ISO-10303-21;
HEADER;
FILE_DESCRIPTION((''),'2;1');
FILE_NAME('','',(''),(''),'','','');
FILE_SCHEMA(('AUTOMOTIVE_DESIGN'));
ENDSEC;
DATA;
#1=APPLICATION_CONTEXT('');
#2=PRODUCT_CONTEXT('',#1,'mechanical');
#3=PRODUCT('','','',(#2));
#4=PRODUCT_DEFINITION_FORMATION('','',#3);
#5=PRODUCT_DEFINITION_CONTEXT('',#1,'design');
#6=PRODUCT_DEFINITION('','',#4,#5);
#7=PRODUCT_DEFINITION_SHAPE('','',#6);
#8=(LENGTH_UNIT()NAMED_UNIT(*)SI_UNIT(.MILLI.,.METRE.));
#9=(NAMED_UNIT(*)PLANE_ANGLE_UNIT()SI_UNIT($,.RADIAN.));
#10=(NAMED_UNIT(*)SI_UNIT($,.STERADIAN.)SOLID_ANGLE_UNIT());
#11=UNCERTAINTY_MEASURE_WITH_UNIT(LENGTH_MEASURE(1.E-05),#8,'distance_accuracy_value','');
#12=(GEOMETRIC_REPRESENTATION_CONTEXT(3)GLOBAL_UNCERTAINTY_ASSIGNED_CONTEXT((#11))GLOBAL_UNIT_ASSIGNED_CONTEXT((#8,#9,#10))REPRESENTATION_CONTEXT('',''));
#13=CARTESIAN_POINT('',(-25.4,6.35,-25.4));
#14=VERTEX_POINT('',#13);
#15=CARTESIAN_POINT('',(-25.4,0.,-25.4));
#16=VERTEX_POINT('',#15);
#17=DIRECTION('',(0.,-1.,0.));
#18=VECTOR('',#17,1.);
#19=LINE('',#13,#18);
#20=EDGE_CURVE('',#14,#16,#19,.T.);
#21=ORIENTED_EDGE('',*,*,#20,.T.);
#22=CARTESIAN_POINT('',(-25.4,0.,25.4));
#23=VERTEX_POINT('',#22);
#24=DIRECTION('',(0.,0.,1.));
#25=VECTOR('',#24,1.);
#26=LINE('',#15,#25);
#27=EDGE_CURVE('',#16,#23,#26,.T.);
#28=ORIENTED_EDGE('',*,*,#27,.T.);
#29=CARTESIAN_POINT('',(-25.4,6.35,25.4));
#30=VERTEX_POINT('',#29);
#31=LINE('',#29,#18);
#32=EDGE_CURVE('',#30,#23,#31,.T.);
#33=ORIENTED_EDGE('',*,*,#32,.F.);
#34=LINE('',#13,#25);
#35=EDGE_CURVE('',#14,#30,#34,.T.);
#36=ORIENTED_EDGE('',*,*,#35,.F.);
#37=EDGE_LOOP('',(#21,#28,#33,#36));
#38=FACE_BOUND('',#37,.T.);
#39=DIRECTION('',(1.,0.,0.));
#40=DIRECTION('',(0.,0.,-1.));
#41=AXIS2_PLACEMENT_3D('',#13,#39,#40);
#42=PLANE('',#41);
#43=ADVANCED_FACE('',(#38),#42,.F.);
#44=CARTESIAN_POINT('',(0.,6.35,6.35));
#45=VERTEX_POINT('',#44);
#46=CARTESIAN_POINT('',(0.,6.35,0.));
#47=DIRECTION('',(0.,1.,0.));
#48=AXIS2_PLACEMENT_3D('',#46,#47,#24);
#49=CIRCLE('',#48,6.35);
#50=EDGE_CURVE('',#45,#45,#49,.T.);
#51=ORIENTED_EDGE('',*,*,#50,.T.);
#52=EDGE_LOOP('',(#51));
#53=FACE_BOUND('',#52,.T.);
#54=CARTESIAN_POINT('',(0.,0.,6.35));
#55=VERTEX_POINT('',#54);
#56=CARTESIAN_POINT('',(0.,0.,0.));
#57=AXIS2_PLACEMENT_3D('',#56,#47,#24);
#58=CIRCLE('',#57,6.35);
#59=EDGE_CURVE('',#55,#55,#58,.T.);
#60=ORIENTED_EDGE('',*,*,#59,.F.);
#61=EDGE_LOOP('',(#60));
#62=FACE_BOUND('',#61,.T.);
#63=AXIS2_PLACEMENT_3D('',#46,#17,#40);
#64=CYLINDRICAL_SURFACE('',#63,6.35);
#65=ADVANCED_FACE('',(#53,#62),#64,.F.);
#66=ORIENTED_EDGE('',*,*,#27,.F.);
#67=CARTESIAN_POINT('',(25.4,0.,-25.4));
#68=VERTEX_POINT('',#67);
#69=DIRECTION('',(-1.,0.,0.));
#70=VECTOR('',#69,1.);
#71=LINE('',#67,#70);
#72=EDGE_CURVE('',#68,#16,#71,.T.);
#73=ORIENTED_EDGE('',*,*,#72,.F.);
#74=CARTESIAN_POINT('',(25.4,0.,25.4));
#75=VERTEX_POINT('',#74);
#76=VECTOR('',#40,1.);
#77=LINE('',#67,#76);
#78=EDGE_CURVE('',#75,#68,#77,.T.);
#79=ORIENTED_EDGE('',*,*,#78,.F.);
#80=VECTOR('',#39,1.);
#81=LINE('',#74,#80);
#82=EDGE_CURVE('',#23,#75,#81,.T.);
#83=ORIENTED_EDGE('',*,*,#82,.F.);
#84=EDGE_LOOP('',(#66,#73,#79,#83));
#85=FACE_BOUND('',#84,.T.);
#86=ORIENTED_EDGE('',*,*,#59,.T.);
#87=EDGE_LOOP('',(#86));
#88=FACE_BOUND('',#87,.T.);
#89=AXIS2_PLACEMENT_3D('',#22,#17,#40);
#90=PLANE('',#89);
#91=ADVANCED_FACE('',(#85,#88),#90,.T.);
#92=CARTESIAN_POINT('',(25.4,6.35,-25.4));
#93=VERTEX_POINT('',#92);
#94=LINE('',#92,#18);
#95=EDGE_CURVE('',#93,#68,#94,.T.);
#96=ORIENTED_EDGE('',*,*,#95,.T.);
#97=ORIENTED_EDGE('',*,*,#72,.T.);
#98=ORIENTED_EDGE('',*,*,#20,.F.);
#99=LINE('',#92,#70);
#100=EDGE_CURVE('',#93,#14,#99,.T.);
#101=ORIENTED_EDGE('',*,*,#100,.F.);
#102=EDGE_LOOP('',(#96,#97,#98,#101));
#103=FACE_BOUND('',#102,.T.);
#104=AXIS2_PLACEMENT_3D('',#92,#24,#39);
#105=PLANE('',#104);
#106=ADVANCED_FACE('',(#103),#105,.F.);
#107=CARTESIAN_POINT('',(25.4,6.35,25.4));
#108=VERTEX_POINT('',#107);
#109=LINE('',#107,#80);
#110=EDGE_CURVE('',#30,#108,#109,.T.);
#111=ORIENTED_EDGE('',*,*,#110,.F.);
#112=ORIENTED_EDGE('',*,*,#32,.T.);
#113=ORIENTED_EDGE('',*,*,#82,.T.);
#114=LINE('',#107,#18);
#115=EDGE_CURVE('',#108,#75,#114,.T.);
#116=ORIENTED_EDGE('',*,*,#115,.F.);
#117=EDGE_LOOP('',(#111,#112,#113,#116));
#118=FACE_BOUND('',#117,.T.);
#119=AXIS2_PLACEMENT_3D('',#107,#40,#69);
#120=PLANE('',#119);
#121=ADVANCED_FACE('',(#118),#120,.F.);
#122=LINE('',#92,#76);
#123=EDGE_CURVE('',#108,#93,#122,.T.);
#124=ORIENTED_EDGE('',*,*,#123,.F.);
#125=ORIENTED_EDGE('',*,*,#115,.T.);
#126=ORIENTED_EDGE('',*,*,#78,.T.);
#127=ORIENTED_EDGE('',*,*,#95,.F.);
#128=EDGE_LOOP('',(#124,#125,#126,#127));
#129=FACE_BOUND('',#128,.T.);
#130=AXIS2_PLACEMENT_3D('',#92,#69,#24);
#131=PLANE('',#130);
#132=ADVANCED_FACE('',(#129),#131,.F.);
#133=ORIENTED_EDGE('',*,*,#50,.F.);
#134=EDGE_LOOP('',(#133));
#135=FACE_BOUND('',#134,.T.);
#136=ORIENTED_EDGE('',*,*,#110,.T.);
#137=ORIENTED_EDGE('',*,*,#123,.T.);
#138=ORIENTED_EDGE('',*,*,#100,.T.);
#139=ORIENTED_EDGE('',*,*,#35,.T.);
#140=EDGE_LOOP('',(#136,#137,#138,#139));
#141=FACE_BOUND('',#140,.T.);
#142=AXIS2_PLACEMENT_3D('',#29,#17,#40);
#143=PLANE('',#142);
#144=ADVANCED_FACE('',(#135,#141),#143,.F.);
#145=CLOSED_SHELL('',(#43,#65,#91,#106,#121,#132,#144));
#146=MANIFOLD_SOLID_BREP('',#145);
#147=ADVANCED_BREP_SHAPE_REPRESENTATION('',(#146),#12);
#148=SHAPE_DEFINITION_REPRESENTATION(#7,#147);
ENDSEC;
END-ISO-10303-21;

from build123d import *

# Parameters (mm, degrees)
SKETCH1_W           = 50.8
SKETCH1_H           = 50.8
SKETCH1_R           = 6.35
BOSS_EXTRUDE1_DEPTH = 6.35


with BuildPart() as part:
    # Sketch1 → Boss-Extrude1 (new body)
    with BuildSketch(Plane(origin=(0, 0, 0), x_dir=(1, 0, 0), z_dir=(0, 1, 0))):
        Rectangle(SKETCH1_W, SKETCH1_H)
        Circle(SKETCH1_R, mode=Mode.SUBTRACT)
    extrude(amount=BOSS_EXTRUDE1_DEPTH)


solid = part.part
